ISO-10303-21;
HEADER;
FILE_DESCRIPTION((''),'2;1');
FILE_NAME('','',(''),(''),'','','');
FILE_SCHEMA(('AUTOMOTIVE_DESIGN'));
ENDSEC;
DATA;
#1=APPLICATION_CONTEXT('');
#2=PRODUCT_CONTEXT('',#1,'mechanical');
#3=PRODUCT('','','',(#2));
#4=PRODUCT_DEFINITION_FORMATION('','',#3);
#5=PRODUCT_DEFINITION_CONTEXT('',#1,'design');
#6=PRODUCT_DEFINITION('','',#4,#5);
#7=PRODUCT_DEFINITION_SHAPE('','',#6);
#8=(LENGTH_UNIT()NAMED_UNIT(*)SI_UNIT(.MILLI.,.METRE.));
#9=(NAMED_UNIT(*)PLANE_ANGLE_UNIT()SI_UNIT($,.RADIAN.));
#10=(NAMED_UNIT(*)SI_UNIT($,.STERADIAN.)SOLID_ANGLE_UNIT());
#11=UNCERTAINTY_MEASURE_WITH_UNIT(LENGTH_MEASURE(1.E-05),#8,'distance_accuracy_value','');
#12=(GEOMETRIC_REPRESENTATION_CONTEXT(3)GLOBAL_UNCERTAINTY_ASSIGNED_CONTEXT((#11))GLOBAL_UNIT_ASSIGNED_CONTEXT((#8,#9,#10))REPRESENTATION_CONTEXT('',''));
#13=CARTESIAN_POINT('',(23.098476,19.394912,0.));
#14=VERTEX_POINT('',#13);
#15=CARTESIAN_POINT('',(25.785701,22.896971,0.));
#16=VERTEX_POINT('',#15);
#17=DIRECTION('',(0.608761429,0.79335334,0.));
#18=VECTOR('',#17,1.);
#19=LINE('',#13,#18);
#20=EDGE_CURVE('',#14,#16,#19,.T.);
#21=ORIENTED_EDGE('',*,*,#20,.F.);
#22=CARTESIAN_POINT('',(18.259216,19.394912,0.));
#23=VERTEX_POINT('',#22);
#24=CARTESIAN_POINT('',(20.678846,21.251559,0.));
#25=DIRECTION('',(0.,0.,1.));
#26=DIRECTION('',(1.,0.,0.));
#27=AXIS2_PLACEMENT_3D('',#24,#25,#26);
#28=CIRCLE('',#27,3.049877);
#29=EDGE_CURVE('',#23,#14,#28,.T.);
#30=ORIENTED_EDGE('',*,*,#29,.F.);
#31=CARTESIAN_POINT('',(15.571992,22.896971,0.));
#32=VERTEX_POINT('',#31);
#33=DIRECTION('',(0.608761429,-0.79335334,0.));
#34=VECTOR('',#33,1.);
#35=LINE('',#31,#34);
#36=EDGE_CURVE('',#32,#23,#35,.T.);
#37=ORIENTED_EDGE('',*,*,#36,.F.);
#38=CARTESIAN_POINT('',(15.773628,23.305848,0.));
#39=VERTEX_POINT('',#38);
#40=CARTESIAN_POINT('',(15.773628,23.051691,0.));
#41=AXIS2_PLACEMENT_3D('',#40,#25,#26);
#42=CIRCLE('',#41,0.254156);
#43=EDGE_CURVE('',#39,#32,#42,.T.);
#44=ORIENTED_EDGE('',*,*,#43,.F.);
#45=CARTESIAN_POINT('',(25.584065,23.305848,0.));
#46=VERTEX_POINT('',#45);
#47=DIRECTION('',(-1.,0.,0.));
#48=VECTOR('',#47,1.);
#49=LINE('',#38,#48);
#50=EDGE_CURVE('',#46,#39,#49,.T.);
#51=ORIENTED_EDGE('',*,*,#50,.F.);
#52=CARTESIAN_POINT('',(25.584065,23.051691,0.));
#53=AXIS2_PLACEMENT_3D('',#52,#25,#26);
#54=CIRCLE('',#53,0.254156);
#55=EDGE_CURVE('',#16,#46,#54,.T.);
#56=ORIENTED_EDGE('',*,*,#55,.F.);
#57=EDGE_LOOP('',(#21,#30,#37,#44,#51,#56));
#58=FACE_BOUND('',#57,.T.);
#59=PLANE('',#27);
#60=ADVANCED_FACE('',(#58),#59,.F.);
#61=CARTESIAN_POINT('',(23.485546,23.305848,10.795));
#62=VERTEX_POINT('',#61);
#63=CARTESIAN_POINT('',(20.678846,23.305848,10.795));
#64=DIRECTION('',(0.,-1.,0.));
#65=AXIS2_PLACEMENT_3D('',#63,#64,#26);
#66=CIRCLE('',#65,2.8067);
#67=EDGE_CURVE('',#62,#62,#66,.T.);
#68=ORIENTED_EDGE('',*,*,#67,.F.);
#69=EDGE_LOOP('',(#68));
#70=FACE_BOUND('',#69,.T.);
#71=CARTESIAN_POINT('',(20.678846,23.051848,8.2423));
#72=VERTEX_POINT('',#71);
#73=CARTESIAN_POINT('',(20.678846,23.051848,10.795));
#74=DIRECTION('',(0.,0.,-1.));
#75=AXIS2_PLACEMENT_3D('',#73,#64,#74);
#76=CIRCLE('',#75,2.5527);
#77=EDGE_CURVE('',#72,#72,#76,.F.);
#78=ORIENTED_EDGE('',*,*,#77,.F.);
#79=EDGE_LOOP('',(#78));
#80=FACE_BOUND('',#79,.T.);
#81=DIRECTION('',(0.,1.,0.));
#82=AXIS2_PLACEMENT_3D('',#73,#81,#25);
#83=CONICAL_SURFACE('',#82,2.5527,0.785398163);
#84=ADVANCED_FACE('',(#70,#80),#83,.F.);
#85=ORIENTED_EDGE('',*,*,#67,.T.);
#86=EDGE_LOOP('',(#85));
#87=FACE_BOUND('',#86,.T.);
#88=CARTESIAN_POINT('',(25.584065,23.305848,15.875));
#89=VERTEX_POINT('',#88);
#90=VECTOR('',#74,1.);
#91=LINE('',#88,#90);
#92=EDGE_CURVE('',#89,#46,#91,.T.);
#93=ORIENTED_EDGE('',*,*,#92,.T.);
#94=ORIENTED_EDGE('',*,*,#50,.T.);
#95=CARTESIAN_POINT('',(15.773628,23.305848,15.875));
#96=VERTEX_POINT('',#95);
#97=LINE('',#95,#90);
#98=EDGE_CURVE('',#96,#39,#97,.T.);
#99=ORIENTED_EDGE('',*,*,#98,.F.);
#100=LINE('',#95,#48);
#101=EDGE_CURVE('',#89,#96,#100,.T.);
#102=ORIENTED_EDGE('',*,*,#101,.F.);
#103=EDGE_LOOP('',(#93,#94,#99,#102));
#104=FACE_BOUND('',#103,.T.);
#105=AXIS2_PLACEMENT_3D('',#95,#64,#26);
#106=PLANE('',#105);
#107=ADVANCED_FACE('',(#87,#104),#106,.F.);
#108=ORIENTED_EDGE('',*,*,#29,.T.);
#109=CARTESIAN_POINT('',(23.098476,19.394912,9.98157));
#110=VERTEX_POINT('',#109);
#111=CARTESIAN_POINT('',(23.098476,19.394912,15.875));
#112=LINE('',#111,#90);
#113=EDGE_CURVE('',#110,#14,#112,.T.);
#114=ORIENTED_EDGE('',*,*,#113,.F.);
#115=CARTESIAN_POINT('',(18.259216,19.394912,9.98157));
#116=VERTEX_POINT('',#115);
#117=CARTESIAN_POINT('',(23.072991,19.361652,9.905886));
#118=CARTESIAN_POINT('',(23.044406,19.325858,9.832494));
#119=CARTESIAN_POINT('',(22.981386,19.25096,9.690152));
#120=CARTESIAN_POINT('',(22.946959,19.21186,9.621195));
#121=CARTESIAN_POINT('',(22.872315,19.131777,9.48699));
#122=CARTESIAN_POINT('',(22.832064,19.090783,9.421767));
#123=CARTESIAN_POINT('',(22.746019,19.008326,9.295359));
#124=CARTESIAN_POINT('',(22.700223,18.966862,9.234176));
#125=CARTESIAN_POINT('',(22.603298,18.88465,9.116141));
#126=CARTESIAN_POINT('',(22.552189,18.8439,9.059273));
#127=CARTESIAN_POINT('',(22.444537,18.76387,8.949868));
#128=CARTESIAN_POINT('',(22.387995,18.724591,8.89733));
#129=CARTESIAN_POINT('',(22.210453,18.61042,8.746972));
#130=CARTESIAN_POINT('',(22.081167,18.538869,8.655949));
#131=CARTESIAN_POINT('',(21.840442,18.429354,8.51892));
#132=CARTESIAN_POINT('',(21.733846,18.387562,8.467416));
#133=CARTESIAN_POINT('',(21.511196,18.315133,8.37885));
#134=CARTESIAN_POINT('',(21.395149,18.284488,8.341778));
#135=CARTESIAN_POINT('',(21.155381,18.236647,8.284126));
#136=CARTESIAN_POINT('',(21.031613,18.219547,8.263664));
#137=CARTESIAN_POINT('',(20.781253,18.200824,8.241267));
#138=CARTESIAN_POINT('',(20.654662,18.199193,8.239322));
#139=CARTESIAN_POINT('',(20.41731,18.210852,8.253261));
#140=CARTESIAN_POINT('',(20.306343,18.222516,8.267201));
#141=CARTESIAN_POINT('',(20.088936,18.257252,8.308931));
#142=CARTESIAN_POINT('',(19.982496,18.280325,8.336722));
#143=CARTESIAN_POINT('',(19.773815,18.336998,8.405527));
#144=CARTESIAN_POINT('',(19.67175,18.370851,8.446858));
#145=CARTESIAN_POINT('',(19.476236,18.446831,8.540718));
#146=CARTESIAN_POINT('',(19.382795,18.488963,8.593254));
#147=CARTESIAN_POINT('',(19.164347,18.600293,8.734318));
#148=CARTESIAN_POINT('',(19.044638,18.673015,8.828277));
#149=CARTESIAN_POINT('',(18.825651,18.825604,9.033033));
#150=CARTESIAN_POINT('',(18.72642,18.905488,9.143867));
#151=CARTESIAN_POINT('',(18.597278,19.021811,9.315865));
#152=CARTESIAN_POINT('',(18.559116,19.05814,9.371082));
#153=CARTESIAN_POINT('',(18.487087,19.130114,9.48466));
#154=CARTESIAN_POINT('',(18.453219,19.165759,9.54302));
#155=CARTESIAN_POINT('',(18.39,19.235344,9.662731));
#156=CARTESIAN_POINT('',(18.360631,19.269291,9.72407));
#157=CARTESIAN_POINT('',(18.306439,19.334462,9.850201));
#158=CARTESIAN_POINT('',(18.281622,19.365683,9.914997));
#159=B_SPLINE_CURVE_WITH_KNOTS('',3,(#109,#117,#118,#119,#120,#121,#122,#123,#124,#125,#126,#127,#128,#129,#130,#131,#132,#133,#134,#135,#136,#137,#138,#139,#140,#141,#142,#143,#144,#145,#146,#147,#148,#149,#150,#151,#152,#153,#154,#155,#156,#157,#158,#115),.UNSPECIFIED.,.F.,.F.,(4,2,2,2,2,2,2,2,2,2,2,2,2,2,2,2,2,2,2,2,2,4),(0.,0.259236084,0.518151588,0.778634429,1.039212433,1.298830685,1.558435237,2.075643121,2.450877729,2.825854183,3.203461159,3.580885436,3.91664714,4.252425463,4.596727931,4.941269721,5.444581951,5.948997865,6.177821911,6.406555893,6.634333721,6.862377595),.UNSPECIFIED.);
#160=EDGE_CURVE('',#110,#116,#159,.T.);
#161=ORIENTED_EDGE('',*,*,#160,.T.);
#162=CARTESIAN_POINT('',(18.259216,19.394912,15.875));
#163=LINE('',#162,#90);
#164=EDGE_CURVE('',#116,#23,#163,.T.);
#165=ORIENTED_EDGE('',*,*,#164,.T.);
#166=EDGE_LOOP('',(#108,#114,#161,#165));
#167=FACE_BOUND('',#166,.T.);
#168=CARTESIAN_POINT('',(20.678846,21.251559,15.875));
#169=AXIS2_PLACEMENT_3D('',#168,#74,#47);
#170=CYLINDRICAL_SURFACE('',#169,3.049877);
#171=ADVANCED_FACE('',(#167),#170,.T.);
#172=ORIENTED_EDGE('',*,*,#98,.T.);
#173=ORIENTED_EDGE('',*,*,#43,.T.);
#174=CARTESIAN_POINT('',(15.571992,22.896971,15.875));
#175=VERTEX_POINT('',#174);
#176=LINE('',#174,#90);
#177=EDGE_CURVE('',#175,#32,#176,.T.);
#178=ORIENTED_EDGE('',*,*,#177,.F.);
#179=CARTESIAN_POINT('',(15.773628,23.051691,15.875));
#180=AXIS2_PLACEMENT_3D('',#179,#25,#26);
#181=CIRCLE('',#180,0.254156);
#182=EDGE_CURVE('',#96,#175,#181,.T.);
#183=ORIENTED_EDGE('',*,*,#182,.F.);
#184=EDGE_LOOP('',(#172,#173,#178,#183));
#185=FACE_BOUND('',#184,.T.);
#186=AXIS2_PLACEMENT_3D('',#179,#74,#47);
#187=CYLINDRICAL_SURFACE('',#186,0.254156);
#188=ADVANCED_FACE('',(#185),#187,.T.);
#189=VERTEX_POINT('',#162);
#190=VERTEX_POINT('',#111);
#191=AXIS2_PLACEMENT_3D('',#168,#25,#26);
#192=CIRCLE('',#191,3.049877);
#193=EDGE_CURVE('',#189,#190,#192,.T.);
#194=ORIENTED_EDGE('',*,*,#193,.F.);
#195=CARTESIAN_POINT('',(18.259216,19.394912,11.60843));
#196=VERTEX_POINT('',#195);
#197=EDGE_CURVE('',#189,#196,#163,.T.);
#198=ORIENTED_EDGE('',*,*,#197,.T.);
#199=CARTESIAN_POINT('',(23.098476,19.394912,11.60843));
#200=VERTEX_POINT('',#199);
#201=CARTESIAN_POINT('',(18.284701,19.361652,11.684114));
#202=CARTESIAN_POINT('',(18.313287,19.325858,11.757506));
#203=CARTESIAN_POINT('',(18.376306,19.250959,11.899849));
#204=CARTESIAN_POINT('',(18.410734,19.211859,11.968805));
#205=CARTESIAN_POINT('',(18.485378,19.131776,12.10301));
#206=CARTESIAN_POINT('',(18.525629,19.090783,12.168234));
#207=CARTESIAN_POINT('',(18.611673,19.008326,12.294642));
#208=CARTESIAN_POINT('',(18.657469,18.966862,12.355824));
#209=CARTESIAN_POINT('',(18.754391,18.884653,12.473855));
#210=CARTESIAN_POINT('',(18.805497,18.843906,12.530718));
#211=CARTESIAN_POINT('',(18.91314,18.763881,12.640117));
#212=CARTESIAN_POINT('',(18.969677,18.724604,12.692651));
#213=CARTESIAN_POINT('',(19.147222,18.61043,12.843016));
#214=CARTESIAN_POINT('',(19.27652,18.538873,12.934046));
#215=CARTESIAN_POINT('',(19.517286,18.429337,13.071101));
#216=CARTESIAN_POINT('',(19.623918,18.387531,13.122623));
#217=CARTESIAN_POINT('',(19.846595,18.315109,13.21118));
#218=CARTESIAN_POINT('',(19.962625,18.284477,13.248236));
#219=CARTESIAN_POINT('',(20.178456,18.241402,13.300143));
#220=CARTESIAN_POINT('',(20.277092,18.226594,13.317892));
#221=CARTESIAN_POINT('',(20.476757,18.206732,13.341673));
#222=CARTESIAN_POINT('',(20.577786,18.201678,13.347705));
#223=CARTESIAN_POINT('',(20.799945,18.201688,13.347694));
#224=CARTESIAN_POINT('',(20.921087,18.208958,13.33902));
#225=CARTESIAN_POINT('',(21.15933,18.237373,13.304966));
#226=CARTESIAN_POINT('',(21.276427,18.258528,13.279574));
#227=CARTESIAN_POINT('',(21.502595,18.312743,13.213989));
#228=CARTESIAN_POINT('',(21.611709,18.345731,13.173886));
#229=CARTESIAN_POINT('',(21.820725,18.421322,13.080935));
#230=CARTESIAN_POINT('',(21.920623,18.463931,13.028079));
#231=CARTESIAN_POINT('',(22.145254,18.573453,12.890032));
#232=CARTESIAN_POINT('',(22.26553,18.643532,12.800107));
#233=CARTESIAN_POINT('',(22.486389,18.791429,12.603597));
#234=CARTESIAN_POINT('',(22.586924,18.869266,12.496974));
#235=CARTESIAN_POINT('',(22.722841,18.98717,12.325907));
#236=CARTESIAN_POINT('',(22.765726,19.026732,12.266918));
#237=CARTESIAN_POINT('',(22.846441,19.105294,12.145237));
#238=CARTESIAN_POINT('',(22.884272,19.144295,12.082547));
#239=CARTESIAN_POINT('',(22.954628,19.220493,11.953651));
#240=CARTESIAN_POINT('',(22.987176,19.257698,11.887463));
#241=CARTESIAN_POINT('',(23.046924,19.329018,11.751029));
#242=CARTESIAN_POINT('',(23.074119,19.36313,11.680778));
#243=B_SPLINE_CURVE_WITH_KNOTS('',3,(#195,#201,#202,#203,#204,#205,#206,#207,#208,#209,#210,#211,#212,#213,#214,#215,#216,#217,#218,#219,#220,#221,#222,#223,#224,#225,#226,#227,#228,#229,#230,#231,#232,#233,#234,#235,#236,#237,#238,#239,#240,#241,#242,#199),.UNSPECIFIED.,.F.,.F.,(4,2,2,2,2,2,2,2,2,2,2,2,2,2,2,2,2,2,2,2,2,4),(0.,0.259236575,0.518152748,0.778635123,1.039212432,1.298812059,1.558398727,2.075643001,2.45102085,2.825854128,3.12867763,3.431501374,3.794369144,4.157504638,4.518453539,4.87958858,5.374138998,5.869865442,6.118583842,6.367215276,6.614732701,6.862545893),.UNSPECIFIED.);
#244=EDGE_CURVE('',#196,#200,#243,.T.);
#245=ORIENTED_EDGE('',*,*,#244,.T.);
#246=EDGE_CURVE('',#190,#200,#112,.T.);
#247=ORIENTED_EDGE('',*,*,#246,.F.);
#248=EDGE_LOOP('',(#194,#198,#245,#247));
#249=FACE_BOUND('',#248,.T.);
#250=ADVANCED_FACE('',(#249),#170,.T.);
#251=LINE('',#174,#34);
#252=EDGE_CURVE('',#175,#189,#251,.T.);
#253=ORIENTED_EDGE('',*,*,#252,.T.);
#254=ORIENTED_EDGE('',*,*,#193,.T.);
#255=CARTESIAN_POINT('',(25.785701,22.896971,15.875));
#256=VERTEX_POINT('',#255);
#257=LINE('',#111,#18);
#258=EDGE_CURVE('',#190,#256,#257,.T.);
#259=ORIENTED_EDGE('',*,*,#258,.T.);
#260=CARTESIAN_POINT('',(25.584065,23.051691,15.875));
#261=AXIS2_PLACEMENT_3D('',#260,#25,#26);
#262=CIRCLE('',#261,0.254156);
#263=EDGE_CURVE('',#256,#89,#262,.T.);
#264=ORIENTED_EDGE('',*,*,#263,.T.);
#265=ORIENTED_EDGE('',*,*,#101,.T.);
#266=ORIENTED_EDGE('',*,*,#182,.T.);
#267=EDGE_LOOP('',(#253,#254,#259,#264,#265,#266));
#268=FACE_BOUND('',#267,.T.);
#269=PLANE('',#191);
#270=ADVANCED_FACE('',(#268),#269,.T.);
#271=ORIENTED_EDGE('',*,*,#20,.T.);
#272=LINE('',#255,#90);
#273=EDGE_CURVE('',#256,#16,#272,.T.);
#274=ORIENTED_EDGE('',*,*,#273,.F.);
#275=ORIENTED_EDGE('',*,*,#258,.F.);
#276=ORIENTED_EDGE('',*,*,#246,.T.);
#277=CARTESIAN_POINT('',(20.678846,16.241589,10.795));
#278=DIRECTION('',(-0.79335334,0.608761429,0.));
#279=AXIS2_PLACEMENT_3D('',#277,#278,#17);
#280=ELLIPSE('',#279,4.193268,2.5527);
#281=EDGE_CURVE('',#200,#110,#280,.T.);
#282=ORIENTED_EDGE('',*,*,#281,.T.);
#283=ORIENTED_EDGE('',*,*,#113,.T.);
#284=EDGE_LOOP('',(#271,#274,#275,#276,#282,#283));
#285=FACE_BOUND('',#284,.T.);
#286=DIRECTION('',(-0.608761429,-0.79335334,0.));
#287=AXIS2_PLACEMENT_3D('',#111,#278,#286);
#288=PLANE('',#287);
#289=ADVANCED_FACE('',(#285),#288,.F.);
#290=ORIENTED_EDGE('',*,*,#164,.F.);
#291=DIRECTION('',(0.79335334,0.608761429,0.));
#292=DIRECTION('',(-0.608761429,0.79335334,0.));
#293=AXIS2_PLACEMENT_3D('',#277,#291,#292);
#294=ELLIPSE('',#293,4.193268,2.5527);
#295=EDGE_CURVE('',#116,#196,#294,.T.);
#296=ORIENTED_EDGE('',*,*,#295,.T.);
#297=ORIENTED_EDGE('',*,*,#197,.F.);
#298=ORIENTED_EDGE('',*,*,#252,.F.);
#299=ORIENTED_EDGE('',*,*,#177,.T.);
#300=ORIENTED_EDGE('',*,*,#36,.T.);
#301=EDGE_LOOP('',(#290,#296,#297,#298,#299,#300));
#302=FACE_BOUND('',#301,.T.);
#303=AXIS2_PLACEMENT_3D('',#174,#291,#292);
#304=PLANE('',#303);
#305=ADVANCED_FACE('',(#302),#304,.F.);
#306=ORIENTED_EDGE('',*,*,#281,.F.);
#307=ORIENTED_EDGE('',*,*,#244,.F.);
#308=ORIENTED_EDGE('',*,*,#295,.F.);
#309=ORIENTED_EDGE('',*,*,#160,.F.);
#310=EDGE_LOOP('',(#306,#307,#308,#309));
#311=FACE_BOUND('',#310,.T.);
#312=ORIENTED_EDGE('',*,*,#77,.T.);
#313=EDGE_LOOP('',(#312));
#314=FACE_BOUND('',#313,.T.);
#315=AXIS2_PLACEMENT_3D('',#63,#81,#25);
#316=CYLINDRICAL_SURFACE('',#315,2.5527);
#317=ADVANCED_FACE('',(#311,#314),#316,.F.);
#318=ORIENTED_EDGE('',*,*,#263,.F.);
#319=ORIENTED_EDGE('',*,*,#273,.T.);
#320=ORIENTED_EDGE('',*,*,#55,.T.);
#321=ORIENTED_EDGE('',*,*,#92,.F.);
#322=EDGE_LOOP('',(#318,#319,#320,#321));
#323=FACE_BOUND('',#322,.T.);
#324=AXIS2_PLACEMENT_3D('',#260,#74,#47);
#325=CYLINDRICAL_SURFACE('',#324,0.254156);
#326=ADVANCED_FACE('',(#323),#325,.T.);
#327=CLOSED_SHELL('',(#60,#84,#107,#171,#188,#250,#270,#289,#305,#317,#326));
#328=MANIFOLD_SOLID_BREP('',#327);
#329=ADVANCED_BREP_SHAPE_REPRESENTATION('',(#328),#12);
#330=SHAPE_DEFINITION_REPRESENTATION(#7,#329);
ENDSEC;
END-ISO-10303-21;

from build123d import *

# Parameters (mm, degrees)
BOSS_EXTRUDE1_DEPTH         = 15.875
TAP_DRILL_FOR_1_4_20_TAP1_D = 5.1054
CHAMFER1_SIZE               = 0.254


with BuildPart() as part:
    # Model → Boss-Extrude1 (new body)
    with BuildSketch(Plane.XY):
        with BuildLine():
            Line((15.773627649, 23.305847831), (25.584064841, 23.305847831))
            ThreePointArc((25.584064841, 23.305847831), (25.812010792, 23.16410193), (25.785700673, 22.896970812))
            Line((25.785700673, 22.896970812), (23.09847623, 19.394911734))
            ThreePointArc((23.09847623, 19.394911734), (20.678846245, 18.201682274), (18.25921626, 19.394911734))
            Line((18.25921626, 19.394911734), (15.571991817, 22.896970812))
            ThreePointArc((15.571991817, 22.896970812), (15.545681698, 23.16410193), (15.773627649, 23.305847831))
        make_face()
    extrude(amount=BOSS_EXTRUDE1_DEPTH)

    # Tap Drill for 1/4-20 Tap1 (through all)
    with Locations(Plane(origin=(0, 23.305847831, 0), x_dir=(1, 0, 0), z_dir=(0, 1, 0))):
        with Locations((20.678846245, -10.795)):
            Hole(TAP_DRILL_FOR_1_4_20_TAP1_D / 2)

    # Chamfer1
    chamfer1_edges = [part.edges().sort_by_distance(p)[0] for p in [
        (23.231546245, 23.305847831, 10.795),
    ]]
    chamfer(chamfer1_edges, length=CHAMFER1_SIZE)


solid = part.part
